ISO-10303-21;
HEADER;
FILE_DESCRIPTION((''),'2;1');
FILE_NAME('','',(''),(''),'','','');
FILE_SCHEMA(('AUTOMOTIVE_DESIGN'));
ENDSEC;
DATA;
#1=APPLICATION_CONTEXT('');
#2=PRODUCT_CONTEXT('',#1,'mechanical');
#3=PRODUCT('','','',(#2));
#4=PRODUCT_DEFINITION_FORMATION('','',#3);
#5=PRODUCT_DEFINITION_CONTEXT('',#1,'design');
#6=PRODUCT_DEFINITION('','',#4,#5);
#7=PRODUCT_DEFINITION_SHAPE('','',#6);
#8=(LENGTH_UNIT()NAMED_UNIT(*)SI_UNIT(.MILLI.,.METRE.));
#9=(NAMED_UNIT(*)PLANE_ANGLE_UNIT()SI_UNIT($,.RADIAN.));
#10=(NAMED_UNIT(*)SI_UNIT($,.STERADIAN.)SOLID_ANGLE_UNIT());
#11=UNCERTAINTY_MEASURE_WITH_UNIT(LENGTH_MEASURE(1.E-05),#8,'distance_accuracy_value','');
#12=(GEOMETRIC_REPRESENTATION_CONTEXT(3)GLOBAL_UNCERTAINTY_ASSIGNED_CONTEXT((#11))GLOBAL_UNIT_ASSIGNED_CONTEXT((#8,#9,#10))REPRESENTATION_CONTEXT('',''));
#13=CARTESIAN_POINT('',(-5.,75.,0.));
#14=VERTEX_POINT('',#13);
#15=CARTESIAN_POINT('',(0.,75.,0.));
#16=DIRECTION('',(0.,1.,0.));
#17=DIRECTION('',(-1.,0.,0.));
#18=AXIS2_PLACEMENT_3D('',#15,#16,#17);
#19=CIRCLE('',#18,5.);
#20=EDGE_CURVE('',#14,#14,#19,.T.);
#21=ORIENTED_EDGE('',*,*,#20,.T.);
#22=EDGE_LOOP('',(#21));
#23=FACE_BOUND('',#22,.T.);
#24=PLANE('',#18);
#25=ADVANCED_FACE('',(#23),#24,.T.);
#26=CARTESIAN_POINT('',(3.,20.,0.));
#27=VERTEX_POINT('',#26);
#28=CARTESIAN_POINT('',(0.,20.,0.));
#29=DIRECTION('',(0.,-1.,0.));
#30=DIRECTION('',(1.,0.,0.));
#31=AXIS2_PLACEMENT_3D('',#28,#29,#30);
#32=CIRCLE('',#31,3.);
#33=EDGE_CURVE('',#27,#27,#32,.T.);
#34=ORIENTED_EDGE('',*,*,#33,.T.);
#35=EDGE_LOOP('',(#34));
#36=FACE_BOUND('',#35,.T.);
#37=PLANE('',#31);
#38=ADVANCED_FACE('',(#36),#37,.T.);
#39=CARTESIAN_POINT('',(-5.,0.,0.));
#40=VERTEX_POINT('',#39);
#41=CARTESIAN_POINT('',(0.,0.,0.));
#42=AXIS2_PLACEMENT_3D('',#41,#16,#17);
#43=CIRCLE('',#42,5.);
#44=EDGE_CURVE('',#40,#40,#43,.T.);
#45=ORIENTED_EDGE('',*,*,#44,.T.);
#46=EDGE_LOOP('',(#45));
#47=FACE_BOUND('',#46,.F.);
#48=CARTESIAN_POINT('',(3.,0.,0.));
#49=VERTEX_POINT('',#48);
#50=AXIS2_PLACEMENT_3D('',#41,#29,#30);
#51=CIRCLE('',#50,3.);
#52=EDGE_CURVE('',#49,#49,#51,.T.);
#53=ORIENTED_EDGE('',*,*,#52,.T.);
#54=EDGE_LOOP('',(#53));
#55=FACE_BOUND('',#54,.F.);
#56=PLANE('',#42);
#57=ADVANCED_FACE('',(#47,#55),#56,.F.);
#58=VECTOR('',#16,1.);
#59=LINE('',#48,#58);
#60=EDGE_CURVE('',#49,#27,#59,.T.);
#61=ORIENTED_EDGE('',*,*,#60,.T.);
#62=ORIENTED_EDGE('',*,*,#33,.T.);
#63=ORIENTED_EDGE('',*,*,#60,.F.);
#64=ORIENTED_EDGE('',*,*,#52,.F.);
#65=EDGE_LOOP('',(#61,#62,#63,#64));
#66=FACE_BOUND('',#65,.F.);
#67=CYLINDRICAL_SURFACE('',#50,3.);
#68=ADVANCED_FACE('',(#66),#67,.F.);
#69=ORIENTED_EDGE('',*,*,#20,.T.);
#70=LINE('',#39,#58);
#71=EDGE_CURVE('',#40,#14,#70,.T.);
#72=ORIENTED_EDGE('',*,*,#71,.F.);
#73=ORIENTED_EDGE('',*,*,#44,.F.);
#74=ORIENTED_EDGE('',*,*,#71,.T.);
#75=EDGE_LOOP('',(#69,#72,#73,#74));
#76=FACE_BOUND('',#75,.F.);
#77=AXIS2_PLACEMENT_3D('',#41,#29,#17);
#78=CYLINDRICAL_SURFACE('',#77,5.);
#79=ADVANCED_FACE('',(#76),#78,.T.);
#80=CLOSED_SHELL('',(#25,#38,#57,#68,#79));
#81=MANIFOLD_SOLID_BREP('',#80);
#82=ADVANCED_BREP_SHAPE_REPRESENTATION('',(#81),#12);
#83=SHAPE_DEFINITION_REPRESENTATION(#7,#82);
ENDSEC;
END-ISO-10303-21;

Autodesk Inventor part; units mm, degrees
ref_plane "YZ Plane" through (0, 0, 0) normal (1, 0, 0) x (0, 1, 0)
ref_plane "XZ Plane" through (0, 0, 0) normal (0, 1, 0) x (-1, 0, 0)
ref_plane "XY Plane" through (0, 0, 0) normal (0, 0, 1) x (1, 0, 0)
sketch "Szkic1" plane through (0, 0, 0) normal (0, 1, 0) x (-1, 0, 0)
  circle A0 centre (0, 0) radius 5
  dimension "d0" = 10
extrude "Wyciągnięcie proste1" add sketch "Szkic1" along normal blind 75
sketch "Szkic2" plane through (0, 0, 0) normal (0, -1, 0) x (1, 0, 0)
  circle A0 centre (0, 0) radius 3
  dimension "d3" = 6
extrude "Wyciągnięcie proste2" cut sketch "Szkic2" against normal blind 20
properties part number "rurkadotarczy"
